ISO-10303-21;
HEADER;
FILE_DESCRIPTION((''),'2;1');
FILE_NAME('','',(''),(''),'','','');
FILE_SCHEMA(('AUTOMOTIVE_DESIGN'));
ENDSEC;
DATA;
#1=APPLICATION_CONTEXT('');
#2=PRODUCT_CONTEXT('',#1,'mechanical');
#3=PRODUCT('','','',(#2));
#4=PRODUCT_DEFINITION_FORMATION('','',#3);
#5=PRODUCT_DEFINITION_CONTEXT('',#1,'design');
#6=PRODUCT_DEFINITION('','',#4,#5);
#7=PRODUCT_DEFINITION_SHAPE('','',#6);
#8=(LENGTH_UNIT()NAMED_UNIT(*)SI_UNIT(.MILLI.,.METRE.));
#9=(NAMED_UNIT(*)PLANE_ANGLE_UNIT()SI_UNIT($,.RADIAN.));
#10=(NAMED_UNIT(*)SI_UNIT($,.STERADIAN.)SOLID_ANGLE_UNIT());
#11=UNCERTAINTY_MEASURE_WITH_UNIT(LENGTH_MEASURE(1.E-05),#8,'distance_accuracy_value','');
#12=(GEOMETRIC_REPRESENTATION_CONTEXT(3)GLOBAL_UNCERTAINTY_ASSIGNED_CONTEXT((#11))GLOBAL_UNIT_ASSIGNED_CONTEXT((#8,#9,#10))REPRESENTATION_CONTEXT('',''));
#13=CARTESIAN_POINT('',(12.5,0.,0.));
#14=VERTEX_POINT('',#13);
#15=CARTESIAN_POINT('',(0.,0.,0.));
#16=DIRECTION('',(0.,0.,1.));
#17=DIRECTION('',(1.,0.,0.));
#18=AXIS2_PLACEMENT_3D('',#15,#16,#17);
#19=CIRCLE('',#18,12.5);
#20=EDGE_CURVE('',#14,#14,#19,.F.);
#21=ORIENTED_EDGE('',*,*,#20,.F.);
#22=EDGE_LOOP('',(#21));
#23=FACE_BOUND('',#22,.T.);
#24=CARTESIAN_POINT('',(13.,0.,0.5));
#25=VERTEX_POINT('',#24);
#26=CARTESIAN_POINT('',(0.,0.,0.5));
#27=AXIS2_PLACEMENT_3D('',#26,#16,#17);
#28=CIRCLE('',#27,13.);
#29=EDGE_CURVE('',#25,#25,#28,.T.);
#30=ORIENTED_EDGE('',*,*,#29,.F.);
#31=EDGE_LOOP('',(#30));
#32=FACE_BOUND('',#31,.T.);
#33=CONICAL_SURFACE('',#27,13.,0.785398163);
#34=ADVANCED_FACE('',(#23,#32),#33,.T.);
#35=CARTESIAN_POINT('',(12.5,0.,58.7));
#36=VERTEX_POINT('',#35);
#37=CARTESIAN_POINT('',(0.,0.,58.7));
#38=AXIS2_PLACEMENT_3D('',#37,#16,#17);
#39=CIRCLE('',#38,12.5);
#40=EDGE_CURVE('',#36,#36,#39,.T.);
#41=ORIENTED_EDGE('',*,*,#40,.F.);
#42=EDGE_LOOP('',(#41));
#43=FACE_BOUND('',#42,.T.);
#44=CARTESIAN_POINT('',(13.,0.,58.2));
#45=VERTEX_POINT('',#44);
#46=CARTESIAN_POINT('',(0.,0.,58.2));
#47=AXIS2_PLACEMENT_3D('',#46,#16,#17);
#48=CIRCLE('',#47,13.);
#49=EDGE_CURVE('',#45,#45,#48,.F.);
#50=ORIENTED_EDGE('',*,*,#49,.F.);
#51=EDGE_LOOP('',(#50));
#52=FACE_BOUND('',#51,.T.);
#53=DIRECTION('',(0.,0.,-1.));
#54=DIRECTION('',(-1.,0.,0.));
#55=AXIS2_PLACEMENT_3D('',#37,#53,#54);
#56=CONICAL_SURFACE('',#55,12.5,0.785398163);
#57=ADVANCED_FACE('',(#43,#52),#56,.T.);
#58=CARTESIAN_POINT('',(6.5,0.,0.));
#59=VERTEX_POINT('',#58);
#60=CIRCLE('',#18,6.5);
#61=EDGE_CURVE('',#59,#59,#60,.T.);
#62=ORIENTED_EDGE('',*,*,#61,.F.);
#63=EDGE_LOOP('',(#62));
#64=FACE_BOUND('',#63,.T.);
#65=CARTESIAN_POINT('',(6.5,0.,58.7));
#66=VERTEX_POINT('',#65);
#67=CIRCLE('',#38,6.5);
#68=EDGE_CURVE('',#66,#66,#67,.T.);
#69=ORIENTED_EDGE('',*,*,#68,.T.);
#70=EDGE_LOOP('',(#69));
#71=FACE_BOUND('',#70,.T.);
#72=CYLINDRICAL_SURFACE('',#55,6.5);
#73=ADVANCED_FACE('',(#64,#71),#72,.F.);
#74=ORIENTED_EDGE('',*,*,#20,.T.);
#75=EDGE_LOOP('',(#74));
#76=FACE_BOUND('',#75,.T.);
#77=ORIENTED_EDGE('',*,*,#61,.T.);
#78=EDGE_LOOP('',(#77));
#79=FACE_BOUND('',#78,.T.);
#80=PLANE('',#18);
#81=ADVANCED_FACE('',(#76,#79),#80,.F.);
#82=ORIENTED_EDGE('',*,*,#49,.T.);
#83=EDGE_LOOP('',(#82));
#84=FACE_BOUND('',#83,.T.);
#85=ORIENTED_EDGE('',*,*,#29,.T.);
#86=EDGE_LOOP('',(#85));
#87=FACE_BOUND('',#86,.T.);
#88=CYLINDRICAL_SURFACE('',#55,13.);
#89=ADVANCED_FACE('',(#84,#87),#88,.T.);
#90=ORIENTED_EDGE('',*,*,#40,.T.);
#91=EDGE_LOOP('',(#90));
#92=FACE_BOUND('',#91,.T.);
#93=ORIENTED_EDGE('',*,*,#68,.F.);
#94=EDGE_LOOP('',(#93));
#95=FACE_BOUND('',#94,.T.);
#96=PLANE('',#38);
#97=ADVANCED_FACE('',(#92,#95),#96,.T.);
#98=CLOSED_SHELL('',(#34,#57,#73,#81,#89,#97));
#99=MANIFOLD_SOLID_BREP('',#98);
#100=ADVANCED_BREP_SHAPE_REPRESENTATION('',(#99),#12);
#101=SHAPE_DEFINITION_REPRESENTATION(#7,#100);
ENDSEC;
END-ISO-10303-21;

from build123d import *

# Parameters (mm, degrees)
SKETCH1_R           = 13
SKETCH1_R_2         = 6.5
BOSS_EXTRUDE1_DEPTH = 58.7
CHAMFER1_SIZE       = 0.5


with BuildPart() as part:
    # Sketch1 → Boss-Extrude1 (new body)
    with BuildSketch(Plane.XY):
        Circle(SKETCH1_R)
        Circle(SKETCH1_R_2, mode=Mode.SUBTRACT)
    extrude(amount=BOSS_EXTRUDE1_DEPTH)

    # Chamfer1
    chamfer1_edges = [part.edges().sort_by_distance(p)[0] for p in [
        (-13, 0, 0),
        (-13, 0, 58.7),
    ]]
    chamfer(chamfer1_edges, length=CHAMFER1_SIZE)


solid = part.part
